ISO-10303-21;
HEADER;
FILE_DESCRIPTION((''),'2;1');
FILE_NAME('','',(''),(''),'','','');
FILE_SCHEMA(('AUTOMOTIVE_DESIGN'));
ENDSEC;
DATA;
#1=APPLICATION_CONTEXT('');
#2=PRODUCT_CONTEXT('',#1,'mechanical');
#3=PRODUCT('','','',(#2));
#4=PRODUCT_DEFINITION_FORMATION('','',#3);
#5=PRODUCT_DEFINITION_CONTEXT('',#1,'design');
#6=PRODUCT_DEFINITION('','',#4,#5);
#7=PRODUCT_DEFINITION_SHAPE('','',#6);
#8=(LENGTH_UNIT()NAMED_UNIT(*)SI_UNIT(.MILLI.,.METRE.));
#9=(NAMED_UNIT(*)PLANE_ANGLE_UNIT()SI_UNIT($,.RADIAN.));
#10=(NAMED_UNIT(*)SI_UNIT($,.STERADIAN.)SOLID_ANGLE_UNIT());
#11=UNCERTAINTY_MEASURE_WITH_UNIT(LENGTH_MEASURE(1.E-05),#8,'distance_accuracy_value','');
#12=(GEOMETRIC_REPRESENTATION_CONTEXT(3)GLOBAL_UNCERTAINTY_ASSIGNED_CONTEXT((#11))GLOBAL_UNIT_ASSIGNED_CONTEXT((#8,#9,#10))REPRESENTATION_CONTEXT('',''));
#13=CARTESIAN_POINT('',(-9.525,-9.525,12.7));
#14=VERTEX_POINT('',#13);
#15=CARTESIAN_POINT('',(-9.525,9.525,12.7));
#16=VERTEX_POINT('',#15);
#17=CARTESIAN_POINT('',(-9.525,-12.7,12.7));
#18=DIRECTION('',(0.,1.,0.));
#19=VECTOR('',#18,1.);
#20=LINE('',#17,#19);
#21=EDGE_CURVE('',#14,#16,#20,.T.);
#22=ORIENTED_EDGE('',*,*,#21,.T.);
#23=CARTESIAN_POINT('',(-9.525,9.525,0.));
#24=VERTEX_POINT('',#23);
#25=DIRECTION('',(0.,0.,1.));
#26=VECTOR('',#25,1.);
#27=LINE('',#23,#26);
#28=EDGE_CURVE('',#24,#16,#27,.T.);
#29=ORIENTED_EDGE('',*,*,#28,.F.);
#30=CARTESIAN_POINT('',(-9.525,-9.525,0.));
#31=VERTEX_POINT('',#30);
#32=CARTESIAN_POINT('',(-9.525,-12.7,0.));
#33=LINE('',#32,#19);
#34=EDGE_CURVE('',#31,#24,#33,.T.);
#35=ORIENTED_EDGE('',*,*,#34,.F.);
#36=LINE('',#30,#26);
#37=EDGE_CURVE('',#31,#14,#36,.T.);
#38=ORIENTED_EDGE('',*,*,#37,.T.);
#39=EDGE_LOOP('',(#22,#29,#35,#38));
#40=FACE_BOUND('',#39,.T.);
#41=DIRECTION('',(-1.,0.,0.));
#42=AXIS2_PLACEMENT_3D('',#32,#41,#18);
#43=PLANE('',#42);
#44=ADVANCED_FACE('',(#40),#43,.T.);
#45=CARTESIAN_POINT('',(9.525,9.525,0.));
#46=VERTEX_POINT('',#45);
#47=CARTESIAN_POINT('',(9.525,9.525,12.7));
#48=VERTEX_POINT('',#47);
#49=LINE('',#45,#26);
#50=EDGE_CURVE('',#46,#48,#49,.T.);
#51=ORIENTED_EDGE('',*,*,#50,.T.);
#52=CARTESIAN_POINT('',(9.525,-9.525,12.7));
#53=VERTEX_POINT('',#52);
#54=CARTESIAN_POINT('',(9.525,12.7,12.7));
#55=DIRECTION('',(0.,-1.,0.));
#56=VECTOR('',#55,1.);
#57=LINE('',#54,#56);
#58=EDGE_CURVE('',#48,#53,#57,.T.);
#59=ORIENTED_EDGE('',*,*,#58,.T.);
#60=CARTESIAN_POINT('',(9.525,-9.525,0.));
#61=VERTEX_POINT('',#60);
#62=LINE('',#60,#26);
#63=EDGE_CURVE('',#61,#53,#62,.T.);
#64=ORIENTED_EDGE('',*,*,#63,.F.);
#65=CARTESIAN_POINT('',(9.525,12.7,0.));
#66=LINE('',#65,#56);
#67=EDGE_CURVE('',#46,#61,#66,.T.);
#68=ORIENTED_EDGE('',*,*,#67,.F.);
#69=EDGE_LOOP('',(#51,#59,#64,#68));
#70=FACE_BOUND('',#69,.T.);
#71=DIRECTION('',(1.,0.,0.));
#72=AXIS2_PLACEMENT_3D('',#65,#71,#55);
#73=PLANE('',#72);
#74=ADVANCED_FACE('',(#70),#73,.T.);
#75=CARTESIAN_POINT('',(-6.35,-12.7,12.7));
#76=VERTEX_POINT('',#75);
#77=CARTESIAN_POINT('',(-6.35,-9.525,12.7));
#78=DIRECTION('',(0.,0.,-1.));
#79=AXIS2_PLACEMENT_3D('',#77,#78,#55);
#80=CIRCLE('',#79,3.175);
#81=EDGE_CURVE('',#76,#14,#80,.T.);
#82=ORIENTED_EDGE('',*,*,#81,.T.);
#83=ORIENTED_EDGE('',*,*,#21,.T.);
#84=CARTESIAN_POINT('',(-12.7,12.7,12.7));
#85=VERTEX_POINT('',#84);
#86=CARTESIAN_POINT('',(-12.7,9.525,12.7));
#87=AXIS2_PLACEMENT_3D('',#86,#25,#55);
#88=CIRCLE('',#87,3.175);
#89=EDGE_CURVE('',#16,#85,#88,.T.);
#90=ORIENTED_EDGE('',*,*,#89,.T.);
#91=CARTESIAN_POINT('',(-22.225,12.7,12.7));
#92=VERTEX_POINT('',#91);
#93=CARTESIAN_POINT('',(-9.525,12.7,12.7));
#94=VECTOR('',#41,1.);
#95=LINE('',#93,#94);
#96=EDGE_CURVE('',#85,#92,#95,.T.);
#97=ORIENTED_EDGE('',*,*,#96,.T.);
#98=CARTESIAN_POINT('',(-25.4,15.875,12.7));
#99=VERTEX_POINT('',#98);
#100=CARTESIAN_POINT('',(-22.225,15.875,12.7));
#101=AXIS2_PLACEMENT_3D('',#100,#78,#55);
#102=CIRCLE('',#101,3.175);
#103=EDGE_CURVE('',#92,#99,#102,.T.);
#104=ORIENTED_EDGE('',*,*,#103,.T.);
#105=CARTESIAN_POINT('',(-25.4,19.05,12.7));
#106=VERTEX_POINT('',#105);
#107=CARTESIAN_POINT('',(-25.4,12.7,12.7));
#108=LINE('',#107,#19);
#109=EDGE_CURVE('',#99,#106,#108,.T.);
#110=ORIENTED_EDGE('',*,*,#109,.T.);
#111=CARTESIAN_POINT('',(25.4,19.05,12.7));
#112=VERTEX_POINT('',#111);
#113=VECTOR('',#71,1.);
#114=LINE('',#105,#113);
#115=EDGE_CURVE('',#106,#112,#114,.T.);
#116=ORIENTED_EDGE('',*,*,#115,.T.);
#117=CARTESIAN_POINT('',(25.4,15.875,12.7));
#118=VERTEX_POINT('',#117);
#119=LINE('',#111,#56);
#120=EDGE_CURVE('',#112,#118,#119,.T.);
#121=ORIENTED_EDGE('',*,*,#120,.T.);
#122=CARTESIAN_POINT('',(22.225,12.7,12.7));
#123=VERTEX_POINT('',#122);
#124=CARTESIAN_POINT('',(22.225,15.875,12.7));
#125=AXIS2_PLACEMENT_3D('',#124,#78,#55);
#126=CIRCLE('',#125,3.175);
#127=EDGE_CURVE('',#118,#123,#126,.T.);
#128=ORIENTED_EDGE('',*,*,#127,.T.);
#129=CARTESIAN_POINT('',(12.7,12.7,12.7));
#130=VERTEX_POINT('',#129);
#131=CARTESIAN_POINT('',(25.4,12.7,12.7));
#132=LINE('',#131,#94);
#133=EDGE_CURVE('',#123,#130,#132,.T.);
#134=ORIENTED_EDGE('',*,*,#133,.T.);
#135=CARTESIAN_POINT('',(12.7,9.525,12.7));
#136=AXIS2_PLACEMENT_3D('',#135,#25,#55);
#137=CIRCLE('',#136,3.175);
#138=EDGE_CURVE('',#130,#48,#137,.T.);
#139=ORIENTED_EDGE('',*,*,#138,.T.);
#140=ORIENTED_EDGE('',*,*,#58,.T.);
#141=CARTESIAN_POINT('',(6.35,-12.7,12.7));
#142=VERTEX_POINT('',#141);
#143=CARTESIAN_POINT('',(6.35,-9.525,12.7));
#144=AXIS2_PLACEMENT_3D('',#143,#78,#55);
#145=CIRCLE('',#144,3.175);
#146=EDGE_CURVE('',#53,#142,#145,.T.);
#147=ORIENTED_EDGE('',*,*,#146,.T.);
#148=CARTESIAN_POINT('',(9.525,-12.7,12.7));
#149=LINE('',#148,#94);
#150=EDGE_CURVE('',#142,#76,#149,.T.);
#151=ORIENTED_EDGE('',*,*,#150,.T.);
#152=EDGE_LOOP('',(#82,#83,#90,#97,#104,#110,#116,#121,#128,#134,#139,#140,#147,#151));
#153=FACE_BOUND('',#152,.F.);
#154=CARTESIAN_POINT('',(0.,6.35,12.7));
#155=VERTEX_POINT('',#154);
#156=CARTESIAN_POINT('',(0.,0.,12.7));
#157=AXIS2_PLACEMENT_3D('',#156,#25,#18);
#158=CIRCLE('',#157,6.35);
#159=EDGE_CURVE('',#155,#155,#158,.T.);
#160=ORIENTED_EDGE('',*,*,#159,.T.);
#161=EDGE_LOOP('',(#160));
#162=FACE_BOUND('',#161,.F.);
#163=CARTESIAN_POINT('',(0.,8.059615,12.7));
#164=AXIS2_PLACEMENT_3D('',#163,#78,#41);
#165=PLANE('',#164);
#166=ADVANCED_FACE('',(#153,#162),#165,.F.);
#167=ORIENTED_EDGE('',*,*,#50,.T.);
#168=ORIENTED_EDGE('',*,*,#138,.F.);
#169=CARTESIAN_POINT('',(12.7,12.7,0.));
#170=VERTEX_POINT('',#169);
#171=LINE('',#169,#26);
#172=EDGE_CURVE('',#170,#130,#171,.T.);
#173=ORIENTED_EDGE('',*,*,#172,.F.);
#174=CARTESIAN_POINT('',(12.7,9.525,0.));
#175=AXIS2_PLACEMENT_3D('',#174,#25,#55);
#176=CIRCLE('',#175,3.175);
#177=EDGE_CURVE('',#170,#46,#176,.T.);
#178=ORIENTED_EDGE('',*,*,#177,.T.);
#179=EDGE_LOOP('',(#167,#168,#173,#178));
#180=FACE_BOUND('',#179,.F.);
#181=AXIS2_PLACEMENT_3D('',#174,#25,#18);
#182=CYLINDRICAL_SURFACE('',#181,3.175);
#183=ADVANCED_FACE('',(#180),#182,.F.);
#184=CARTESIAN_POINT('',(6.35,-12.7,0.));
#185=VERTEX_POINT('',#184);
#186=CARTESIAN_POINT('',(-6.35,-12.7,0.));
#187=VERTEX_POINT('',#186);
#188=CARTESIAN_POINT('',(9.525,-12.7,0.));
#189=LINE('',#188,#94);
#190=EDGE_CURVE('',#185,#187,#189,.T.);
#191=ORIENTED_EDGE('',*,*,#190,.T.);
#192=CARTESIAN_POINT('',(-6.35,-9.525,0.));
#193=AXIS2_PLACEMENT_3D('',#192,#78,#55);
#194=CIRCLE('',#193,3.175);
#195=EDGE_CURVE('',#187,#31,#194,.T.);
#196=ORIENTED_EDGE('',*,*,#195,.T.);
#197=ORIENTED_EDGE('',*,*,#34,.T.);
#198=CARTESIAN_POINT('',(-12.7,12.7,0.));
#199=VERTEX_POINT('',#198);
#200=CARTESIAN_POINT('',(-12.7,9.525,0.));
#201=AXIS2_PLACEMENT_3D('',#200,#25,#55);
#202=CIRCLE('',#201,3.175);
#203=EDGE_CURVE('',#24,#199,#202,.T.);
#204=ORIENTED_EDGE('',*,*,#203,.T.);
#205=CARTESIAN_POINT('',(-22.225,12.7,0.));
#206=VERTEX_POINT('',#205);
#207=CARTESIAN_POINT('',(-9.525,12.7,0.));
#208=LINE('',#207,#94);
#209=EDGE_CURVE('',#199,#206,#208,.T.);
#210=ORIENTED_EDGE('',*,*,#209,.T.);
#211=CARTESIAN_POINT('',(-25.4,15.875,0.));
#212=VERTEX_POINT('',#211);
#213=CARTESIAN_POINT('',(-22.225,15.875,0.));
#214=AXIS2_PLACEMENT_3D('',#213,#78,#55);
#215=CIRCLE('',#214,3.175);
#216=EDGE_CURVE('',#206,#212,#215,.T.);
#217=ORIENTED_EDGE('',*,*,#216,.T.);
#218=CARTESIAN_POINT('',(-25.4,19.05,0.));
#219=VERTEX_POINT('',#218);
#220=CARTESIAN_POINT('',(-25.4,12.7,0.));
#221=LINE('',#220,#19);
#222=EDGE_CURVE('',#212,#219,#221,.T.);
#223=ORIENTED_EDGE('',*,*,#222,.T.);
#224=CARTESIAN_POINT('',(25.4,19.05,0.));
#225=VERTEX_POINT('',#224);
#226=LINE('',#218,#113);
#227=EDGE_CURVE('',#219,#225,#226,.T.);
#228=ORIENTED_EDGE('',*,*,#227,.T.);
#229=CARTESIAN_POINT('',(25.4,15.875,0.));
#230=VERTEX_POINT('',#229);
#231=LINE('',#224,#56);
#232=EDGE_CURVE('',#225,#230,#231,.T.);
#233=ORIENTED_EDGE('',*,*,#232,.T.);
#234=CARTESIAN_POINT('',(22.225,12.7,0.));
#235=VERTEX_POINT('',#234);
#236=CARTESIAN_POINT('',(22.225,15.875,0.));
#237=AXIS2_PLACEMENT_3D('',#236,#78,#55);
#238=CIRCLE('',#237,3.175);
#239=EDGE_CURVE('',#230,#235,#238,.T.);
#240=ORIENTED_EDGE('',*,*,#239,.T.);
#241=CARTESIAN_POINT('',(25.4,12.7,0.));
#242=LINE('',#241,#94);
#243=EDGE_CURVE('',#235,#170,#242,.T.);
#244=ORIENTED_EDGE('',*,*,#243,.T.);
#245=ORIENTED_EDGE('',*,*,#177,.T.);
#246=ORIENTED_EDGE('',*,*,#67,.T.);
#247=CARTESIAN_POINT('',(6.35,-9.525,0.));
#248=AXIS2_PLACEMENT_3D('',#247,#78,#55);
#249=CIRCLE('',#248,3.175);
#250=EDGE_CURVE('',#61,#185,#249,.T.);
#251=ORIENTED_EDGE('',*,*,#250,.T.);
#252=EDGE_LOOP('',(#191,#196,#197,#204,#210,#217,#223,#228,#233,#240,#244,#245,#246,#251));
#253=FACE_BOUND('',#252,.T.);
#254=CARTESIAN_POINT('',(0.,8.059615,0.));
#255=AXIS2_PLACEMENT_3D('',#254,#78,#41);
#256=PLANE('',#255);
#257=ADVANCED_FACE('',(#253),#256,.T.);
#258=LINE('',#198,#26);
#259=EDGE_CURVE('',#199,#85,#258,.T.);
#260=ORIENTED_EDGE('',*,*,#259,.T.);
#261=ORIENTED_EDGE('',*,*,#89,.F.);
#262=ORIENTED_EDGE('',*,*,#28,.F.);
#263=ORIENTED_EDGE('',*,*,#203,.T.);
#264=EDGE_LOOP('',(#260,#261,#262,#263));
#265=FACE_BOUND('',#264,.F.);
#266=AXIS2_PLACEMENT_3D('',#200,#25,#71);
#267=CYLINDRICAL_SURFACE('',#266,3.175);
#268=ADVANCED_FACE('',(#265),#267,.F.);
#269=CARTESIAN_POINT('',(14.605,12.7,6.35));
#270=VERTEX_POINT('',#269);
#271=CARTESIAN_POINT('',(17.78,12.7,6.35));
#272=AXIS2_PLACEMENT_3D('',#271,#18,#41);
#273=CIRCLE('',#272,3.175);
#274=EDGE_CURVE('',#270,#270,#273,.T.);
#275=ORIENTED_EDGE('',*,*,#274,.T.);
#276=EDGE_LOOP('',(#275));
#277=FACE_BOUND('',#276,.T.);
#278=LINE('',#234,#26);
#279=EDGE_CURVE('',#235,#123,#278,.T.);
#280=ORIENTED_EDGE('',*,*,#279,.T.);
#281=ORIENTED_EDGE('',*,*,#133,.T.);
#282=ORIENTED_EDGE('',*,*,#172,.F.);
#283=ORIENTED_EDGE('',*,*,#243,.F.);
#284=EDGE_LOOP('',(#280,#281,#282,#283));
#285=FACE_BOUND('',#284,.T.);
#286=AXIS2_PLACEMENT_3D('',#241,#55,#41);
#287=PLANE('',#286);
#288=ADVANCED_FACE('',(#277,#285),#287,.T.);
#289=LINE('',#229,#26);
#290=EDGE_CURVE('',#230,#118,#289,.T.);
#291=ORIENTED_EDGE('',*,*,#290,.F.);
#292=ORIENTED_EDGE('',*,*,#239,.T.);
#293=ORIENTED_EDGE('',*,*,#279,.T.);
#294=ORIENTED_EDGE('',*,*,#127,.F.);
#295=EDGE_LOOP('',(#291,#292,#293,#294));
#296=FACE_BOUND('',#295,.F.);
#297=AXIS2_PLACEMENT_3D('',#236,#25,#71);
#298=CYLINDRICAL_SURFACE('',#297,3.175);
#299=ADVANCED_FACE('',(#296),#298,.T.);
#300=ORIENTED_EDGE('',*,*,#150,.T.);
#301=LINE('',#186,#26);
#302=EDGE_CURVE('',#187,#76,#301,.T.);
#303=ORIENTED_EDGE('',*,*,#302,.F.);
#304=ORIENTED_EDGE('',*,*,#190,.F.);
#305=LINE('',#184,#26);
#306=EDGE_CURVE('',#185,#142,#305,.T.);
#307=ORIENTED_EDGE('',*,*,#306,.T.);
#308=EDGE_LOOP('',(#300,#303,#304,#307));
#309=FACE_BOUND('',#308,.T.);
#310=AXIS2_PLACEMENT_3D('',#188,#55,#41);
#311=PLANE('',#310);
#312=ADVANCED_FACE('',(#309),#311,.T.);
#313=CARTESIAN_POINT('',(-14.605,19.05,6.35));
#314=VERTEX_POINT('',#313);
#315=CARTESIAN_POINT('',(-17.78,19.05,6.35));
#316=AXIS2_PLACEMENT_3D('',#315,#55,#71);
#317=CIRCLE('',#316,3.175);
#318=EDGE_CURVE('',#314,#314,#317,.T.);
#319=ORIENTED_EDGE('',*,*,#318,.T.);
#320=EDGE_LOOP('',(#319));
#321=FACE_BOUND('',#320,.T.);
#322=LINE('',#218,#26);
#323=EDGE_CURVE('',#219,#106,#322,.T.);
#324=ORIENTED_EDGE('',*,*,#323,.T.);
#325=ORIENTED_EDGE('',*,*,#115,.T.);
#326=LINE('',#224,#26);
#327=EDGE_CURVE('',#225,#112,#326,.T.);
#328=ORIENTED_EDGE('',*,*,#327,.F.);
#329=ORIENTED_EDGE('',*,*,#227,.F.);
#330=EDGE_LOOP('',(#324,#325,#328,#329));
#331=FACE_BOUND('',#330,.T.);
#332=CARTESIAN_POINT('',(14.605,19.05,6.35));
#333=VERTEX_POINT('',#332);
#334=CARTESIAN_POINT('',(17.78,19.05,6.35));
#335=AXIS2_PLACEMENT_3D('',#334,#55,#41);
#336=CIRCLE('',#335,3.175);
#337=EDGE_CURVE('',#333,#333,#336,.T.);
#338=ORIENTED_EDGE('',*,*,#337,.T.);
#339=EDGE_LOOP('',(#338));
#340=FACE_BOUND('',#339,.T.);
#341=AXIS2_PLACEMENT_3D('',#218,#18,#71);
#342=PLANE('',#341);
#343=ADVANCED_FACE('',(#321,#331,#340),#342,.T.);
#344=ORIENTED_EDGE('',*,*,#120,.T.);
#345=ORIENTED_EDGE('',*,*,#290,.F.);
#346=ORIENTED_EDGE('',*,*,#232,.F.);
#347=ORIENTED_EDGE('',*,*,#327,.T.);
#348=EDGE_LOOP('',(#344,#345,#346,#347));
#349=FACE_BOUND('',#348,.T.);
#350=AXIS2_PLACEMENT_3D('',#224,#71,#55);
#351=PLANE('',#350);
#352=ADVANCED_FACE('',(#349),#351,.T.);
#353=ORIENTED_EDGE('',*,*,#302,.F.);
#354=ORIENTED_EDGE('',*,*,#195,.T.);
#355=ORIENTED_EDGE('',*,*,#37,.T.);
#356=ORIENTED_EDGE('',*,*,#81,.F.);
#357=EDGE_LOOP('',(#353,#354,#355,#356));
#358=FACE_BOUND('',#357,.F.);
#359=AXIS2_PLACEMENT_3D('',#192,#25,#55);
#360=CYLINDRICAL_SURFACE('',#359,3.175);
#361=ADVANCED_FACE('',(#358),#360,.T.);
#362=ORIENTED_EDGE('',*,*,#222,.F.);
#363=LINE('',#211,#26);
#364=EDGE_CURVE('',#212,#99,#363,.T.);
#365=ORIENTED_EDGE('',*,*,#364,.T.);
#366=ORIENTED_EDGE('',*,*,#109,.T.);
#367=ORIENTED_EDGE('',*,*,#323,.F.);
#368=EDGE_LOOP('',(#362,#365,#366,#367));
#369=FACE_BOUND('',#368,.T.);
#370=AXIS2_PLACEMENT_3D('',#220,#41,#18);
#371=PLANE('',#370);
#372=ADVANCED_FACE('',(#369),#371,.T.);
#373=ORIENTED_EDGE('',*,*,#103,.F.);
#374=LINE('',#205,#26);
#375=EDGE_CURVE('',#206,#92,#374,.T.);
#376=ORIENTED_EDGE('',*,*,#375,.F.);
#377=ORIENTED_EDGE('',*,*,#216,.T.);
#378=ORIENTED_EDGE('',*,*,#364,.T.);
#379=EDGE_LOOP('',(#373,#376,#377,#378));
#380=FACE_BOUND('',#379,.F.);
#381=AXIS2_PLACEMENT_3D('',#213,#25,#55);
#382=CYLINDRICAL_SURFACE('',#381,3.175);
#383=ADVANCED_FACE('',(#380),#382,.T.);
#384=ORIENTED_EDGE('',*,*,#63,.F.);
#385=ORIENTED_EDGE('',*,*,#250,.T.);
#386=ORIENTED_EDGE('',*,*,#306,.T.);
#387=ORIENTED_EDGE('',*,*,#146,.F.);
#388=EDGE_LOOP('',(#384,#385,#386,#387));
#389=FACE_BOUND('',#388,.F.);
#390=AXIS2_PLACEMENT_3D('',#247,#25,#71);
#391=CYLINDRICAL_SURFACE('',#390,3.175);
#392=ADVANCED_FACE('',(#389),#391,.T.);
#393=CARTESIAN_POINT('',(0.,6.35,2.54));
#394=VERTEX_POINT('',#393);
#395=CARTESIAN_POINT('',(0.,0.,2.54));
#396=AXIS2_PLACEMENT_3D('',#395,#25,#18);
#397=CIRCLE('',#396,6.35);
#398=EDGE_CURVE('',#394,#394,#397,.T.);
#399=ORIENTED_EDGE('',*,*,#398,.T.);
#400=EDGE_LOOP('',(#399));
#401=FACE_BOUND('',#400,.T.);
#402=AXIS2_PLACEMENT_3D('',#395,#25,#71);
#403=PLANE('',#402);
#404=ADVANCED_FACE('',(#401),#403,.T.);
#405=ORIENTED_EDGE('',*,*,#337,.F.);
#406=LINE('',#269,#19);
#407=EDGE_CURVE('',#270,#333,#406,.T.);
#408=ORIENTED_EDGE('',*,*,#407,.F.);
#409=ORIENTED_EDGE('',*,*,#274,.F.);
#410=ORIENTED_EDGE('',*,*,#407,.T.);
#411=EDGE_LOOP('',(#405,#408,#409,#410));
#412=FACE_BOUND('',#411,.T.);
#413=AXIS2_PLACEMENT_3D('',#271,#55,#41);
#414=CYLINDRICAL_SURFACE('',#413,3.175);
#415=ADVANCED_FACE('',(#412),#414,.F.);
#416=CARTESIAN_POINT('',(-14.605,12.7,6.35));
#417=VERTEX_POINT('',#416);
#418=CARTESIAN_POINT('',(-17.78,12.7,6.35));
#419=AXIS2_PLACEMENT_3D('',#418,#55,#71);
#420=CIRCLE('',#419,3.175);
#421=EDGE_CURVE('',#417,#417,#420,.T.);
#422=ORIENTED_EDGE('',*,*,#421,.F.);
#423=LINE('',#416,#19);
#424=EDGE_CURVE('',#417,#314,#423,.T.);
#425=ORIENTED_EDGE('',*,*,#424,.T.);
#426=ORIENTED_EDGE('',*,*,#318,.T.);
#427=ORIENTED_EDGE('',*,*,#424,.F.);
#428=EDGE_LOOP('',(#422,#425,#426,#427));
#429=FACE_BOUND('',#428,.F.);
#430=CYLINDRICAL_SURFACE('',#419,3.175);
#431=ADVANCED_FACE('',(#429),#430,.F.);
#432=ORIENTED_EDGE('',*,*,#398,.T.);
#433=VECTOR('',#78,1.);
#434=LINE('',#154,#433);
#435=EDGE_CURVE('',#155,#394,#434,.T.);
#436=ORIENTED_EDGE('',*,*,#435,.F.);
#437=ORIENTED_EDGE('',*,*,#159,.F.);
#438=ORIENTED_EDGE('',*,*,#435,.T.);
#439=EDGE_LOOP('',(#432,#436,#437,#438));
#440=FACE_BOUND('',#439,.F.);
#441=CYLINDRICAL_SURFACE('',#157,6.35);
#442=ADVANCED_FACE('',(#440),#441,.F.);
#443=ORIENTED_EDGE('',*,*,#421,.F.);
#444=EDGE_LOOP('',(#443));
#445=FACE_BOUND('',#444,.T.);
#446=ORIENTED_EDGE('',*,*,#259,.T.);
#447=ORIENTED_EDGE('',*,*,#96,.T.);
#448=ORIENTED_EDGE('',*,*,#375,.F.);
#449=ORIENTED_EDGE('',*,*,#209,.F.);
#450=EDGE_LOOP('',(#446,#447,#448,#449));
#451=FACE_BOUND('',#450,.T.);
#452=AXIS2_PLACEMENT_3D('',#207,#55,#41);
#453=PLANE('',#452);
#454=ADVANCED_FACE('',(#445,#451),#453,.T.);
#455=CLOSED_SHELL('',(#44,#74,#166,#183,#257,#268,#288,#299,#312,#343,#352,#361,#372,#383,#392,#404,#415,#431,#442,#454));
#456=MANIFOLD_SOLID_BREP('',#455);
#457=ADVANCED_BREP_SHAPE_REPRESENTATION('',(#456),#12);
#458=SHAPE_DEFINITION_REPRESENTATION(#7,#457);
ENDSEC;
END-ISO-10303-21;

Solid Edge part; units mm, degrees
sketch "Sketch1" plane through (0, 0, 0) normal (0, 0, 1) x (1, 0, 0)
  line L0 (-25.4, 19.05) -> (25.4, 19.05)
  line L1 (25.4, 19.05) -> (25.4, 12.7)
  line L2 (25.4, 12.7) -> (9.525, 12.7)
  line L3 (9.525, 12.7) -> (9.525, -12.7)
  line L4 (9.525, -12.7) -> (-9.525, -12.7)
  line L5 (-9.525, -12.7) -> (-9.525, 12.7)
  line L6 (-9.525, 12.7) -> (-25.4, 12.7)
  line L7 (-25.4, 12.7) -> (-25.4, 19.05)
  dimension "D1" = 6.35
  dimension "D2" = 19.05
  dimension "D3" = 6.35
  dimension "D4" = 50.8
  dimension "D5" = 25.4
  dimension "D6" = 15.875
  dimension "D7" = 15.875
  dimension "D8" = 25.4
extrude "Protrusion1" add sketch "Sketch1" along normal blind 12.7
fillet "Round_1" radius 3.175 6 edges at (9.525, 12.7, 6.35) (9.525, -12.7, 6.35) (-9.525, -12.7, 6.35) (25.4, 12.7, 6.35) (-9.525, 12.7, 6.35) (-25.4, 12.7, 6.35)
sketch "Sketch2" plane through (0, 3.175, 12.7) normal (0, 0, 1) x (0, 1, 0)
  circle A0 centre (-3.175, 0) radius 6.35
extrude "PivotHole" cut sketch "Sketch2" against normal blind 10.16
sketch "Sketch3" plane through (-17.4625, 12.7, 6.35) normal (0, -1, 0) x (1, 0, 0)
  circle A0 centre (-0.3175, 0) radius 3.175
  dimension "D1" = 4.445
  dimension "D2" = 6.35
  dimension "D3" = 7.62
extrude "v_1" cut sketch "Sketch3" against normal blind 25.4
mirror "Mirror1" about plane through (0, 0, 0) normal (1, 0, 0) of "v_1"
properties material "Aluminum, 6061-T6"
